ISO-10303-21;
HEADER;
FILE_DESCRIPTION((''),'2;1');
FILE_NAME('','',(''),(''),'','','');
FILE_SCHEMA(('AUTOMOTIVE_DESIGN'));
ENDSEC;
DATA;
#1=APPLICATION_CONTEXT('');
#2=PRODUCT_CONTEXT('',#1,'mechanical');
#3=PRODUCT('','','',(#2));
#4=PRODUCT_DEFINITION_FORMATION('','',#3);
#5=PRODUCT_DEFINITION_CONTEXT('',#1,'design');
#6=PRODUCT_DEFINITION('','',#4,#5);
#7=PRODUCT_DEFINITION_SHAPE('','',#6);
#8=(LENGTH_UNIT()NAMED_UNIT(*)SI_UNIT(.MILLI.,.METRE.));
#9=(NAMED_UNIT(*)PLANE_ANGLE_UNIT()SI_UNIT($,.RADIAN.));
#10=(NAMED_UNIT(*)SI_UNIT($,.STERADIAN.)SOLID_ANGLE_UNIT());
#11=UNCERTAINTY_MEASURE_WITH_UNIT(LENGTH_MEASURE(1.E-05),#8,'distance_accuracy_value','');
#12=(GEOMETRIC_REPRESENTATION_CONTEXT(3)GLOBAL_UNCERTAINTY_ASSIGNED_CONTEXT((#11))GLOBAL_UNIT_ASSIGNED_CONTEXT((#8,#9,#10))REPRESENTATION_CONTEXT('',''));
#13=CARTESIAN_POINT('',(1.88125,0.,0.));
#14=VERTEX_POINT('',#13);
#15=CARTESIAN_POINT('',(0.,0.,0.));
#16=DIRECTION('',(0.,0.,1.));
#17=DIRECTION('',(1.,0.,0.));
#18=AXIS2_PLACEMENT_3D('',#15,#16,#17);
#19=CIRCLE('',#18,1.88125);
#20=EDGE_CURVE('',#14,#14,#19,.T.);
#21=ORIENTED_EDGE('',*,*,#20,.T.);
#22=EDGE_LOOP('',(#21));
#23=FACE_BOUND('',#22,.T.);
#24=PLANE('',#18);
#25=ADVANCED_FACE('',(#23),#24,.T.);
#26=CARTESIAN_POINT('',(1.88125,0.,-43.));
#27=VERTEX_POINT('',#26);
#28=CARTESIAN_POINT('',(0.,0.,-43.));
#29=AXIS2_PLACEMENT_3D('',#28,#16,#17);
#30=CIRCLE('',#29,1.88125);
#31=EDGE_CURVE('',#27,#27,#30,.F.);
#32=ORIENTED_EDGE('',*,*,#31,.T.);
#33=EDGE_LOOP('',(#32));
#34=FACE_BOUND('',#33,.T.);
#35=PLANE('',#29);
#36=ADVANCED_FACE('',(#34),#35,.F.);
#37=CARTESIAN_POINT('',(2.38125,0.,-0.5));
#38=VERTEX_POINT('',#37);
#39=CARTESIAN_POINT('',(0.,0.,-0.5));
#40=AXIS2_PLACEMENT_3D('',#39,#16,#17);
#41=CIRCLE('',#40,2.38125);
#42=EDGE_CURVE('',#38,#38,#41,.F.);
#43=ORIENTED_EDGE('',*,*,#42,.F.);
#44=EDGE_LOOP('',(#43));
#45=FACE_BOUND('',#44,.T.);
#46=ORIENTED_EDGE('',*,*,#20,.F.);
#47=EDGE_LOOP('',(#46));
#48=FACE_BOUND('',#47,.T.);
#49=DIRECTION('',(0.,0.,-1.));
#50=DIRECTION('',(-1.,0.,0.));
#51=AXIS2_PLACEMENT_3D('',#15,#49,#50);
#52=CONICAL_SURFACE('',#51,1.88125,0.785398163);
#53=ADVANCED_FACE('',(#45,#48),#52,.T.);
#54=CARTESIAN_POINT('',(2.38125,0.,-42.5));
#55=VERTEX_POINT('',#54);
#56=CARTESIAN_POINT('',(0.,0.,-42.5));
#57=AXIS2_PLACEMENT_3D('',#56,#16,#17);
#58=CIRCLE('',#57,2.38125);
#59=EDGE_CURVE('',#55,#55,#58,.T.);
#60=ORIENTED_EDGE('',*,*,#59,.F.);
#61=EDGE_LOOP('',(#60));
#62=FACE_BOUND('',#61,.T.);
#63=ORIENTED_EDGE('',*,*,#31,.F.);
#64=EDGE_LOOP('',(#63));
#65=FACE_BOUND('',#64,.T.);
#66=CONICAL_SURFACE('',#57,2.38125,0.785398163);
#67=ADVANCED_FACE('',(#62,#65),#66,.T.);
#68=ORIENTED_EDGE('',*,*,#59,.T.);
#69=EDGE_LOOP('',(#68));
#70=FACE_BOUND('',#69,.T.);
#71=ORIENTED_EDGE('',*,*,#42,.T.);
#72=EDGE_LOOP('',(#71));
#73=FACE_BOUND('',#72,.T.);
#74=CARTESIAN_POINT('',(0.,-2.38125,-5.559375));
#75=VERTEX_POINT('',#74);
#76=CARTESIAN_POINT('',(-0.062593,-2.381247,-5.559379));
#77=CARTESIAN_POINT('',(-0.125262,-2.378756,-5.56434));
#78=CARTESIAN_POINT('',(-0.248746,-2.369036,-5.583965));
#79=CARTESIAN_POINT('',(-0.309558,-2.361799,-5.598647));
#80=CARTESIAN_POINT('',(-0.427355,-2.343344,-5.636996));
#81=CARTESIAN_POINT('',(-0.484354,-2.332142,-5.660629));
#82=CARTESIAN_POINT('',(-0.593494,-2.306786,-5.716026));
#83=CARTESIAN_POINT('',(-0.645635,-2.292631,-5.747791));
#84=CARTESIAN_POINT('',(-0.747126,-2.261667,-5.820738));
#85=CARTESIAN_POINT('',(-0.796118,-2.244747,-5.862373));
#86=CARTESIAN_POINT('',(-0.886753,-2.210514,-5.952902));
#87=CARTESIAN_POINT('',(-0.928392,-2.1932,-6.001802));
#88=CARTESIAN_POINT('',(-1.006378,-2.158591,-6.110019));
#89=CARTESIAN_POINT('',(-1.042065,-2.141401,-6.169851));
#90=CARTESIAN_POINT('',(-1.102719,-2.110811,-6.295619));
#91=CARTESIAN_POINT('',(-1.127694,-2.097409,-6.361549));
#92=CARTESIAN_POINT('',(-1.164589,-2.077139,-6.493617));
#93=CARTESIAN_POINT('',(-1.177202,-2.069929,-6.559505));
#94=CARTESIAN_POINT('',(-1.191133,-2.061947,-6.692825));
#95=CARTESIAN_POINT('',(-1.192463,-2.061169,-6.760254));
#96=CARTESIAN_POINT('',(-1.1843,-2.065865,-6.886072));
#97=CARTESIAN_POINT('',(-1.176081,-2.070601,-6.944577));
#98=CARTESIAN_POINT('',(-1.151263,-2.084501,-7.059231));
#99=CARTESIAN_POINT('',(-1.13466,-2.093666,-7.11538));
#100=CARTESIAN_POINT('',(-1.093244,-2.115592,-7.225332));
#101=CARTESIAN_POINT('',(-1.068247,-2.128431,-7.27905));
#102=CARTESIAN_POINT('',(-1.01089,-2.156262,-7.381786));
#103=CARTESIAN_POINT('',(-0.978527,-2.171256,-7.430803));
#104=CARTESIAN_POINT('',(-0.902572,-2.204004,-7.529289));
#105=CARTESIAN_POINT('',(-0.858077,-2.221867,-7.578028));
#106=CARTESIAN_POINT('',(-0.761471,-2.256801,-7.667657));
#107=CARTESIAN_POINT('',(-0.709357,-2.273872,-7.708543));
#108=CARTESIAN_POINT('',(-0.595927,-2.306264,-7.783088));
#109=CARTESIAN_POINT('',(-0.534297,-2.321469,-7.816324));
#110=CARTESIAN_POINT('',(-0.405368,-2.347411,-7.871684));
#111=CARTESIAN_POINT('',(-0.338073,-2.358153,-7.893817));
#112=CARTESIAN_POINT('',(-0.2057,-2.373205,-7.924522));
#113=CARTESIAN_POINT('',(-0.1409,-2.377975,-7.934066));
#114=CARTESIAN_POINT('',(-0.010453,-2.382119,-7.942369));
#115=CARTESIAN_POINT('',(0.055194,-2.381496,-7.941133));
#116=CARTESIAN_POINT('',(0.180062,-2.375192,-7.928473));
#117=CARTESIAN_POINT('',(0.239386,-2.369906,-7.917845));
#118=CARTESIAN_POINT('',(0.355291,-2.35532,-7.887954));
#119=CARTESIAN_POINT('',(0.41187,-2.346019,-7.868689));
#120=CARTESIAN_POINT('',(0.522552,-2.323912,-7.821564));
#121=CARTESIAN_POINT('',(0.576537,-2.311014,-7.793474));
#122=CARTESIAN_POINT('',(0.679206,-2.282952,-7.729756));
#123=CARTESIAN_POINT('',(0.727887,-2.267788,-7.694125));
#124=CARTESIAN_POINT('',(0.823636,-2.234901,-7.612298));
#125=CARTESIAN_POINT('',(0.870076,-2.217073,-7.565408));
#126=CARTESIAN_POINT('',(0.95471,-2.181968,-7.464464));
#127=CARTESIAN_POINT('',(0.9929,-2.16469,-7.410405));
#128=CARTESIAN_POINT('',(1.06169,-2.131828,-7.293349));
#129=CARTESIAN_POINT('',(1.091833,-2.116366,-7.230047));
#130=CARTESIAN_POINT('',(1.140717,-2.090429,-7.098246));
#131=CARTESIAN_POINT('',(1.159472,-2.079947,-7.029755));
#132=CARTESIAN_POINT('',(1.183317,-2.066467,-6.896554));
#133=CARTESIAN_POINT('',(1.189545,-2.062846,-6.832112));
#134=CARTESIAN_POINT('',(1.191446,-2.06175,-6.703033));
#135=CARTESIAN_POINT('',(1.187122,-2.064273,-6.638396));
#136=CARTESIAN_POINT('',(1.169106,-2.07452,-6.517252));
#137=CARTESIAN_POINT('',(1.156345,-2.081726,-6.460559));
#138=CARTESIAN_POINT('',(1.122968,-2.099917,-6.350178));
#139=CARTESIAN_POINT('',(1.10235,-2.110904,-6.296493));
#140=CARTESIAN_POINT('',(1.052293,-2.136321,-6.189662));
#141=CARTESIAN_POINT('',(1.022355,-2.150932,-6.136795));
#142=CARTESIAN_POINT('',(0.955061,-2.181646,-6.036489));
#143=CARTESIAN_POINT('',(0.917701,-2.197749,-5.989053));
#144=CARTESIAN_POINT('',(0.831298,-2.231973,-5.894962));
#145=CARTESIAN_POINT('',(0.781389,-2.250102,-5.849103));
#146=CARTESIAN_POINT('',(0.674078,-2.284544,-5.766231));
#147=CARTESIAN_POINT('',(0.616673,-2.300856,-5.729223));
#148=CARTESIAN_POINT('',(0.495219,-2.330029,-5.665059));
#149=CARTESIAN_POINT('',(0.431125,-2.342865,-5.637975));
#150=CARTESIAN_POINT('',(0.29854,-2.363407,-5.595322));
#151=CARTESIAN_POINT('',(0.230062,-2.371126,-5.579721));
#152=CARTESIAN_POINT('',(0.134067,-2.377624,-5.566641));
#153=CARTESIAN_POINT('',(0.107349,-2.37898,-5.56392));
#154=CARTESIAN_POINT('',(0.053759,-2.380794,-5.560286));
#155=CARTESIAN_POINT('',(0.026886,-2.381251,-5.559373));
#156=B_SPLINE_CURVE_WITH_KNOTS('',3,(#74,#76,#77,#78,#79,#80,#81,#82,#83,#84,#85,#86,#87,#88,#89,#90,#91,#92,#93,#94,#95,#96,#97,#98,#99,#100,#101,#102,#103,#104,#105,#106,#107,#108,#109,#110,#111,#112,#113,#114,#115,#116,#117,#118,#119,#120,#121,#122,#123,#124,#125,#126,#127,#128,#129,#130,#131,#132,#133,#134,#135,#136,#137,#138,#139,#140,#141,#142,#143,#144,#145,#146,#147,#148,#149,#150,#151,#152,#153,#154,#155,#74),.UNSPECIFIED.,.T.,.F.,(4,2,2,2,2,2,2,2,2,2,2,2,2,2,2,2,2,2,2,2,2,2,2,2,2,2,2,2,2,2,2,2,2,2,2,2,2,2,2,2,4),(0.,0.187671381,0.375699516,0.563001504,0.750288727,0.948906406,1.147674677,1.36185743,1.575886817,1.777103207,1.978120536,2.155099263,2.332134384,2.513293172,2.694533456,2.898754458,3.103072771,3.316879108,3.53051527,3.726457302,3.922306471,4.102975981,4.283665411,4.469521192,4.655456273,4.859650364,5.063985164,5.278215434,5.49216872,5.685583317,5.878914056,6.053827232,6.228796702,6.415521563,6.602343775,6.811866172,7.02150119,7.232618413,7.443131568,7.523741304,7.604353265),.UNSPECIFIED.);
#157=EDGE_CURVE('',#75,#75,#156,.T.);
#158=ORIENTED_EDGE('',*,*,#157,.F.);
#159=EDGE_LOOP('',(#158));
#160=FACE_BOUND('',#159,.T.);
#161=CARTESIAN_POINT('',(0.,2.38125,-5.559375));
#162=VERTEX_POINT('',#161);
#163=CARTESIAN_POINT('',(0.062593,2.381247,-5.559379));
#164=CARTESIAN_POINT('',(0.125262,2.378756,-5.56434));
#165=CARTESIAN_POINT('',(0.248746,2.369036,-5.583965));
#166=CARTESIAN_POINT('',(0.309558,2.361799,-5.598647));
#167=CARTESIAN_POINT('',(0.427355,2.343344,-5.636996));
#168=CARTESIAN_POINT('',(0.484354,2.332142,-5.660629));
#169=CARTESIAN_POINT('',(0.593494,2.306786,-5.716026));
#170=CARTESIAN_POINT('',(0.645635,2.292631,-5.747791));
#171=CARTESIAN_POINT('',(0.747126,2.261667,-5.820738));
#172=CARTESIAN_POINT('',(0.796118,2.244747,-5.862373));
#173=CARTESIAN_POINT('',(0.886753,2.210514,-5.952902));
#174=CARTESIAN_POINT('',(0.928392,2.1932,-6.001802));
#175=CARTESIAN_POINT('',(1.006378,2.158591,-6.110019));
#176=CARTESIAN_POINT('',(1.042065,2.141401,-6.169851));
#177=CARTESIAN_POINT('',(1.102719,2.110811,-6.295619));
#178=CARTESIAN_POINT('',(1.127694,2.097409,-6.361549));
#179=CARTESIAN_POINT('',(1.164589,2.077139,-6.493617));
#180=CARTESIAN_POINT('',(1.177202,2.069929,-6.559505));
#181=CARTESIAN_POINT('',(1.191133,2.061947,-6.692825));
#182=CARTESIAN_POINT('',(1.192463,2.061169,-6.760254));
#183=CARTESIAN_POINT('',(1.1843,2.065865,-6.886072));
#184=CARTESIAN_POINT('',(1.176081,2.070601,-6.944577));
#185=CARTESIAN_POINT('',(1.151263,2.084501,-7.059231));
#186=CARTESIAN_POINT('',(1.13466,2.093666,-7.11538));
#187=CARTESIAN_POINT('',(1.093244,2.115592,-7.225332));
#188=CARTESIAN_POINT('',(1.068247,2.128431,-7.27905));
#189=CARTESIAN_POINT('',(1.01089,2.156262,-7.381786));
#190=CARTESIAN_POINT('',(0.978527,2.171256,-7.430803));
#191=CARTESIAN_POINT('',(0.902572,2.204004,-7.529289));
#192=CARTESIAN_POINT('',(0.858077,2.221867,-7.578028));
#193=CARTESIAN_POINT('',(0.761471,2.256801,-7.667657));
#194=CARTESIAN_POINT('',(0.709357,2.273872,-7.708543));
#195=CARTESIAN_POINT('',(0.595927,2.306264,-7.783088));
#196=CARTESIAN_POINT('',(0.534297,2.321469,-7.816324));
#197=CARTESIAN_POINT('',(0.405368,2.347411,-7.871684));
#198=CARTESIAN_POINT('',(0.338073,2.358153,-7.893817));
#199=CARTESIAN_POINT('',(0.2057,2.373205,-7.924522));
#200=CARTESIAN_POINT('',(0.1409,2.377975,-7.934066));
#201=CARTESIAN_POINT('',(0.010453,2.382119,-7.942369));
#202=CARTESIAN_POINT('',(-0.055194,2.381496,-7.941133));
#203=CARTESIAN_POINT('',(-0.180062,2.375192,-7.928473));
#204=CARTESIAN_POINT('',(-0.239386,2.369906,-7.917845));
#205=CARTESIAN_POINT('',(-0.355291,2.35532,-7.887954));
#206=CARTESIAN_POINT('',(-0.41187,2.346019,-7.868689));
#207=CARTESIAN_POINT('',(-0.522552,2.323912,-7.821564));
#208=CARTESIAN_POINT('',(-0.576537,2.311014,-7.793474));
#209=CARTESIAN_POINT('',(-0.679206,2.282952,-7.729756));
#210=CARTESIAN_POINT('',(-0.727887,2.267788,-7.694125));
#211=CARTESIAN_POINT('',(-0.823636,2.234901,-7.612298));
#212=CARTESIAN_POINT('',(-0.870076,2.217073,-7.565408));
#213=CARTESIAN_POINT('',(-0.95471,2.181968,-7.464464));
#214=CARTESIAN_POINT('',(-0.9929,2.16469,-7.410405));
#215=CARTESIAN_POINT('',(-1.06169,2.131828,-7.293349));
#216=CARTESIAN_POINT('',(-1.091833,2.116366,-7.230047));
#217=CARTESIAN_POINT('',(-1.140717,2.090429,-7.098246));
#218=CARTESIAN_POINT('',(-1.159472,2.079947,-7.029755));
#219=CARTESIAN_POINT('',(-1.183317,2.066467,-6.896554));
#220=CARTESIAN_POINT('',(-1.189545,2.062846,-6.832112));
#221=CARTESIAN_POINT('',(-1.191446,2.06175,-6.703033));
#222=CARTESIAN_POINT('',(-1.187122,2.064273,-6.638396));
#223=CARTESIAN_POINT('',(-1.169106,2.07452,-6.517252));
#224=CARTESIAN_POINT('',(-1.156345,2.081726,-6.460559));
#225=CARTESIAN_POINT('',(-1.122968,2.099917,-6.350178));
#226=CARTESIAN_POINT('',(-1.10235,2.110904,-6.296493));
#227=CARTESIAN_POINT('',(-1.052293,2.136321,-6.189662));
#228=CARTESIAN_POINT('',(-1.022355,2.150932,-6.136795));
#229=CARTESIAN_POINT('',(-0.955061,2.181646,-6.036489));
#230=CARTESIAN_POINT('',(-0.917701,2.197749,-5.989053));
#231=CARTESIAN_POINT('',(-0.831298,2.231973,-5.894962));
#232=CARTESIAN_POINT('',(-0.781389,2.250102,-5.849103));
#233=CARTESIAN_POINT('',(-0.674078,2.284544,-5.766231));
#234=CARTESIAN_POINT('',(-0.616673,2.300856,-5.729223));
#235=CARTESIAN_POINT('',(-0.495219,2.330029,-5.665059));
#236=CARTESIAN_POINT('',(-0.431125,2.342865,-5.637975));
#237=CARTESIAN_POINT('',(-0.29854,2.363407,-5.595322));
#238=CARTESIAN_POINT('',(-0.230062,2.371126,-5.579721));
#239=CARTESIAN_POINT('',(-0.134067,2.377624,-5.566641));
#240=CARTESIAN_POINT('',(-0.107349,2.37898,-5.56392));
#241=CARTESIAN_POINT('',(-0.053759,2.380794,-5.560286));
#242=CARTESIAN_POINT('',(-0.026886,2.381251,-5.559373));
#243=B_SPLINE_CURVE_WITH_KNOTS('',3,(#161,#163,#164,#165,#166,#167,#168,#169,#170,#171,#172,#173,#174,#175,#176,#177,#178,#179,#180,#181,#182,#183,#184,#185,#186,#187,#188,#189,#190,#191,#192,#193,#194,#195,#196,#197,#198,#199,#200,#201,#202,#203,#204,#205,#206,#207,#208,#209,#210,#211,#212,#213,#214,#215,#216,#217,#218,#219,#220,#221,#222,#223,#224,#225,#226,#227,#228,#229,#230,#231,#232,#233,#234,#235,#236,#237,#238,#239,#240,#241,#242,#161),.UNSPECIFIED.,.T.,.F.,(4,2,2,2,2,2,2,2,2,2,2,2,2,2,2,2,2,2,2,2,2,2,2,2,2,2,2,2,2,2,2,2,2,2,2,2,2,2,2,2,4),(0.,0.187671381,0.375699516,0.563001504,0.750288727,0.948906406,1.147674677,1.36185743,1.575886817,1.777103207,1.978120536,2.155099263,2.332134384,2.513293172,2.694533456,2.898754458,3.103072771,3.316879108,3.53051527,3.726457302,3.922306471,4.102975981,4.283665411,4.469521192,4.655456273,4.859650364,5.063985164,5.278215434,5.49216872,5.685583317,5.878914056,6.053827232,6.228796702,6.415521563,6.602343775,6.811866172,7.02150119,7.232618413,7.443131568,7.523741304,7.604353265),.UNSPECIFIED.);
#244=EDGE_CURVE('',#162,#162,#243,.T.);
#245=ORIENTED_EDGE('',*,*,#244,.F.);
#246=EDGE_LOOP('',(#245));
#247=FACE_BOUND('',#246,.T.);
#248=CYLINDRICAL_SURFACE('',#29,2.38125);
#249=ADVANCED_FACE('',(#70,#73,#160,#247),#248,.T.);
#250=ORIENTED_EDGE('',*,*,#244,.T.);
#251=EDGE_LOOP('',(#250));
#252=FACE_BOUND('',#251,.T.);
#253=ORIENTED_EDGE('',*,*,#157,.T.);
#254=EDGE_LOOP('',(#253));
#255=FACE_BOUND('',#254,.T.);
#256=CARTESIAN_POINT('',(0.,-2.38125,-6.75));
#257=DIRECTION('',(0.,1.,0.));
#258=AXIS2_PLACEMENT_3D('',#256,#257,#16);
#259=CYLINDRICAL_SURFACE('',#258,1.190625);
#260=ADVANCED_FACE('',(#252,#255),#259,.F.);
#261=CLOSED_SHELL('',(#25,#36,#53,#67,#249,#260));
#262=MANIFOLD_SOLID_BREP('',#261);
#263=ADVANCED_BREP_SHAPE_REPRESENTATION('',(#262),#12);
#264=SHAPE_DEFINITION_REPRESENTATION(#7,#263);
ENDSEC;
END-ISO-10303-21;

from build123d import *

# Parameters (mm, degrees)
SKETCH1_R               = 2.38125
BOSS_EXTRUDE1_DEPTH     = 43
SKETCH2_R               = 1.190625
CUT_EXTRUDE1_DEPTH      = 3.38125
CUT_EXTRUDE1_DEPTH_BACK = 3.38125
CHAMFER1_SIZE           = 0.5


with BuildPart() as part:
    # Sketch1 → Boss-Extrude1 (new body)
    with BuildSketch(Plane.XY):
        Circle(SKETCH1_R)
    extrude(amount=-BOSS_EXTRUDE1_DEPTH)

    # Sketch2 → Cut-Extrude1 (cut, two sides)
    with BuildSketch(Plane(origin=(0, 0, 0), x_dir=(1, 0, 0), z_dir=(0, 1, 0))) as cut_extrude1_sk:
        with Locations((0, 6.75)):
            Circle(SKETCH2_R)
    extrude(amount=CUT_EXTRUDE1_DEPTH, mode=Mode.SUBTRACT)
    extrude(cut_extrude1_sk.sketch, amount=-CUT_EXTRUDE1_DEPTH_BACK, mode=Mode.SUBTRACT)

    # Chamfer1
    chamfer1_edges = [part.edges().sort_by_distance(p)[0] for p in [
        (-2.38125, 0, 0),
        (-2.38125, 0, -43),
    ]]
    chamfer(chamfer1_edges, length=CHAMFER1_SIZE)


solid = part.part
